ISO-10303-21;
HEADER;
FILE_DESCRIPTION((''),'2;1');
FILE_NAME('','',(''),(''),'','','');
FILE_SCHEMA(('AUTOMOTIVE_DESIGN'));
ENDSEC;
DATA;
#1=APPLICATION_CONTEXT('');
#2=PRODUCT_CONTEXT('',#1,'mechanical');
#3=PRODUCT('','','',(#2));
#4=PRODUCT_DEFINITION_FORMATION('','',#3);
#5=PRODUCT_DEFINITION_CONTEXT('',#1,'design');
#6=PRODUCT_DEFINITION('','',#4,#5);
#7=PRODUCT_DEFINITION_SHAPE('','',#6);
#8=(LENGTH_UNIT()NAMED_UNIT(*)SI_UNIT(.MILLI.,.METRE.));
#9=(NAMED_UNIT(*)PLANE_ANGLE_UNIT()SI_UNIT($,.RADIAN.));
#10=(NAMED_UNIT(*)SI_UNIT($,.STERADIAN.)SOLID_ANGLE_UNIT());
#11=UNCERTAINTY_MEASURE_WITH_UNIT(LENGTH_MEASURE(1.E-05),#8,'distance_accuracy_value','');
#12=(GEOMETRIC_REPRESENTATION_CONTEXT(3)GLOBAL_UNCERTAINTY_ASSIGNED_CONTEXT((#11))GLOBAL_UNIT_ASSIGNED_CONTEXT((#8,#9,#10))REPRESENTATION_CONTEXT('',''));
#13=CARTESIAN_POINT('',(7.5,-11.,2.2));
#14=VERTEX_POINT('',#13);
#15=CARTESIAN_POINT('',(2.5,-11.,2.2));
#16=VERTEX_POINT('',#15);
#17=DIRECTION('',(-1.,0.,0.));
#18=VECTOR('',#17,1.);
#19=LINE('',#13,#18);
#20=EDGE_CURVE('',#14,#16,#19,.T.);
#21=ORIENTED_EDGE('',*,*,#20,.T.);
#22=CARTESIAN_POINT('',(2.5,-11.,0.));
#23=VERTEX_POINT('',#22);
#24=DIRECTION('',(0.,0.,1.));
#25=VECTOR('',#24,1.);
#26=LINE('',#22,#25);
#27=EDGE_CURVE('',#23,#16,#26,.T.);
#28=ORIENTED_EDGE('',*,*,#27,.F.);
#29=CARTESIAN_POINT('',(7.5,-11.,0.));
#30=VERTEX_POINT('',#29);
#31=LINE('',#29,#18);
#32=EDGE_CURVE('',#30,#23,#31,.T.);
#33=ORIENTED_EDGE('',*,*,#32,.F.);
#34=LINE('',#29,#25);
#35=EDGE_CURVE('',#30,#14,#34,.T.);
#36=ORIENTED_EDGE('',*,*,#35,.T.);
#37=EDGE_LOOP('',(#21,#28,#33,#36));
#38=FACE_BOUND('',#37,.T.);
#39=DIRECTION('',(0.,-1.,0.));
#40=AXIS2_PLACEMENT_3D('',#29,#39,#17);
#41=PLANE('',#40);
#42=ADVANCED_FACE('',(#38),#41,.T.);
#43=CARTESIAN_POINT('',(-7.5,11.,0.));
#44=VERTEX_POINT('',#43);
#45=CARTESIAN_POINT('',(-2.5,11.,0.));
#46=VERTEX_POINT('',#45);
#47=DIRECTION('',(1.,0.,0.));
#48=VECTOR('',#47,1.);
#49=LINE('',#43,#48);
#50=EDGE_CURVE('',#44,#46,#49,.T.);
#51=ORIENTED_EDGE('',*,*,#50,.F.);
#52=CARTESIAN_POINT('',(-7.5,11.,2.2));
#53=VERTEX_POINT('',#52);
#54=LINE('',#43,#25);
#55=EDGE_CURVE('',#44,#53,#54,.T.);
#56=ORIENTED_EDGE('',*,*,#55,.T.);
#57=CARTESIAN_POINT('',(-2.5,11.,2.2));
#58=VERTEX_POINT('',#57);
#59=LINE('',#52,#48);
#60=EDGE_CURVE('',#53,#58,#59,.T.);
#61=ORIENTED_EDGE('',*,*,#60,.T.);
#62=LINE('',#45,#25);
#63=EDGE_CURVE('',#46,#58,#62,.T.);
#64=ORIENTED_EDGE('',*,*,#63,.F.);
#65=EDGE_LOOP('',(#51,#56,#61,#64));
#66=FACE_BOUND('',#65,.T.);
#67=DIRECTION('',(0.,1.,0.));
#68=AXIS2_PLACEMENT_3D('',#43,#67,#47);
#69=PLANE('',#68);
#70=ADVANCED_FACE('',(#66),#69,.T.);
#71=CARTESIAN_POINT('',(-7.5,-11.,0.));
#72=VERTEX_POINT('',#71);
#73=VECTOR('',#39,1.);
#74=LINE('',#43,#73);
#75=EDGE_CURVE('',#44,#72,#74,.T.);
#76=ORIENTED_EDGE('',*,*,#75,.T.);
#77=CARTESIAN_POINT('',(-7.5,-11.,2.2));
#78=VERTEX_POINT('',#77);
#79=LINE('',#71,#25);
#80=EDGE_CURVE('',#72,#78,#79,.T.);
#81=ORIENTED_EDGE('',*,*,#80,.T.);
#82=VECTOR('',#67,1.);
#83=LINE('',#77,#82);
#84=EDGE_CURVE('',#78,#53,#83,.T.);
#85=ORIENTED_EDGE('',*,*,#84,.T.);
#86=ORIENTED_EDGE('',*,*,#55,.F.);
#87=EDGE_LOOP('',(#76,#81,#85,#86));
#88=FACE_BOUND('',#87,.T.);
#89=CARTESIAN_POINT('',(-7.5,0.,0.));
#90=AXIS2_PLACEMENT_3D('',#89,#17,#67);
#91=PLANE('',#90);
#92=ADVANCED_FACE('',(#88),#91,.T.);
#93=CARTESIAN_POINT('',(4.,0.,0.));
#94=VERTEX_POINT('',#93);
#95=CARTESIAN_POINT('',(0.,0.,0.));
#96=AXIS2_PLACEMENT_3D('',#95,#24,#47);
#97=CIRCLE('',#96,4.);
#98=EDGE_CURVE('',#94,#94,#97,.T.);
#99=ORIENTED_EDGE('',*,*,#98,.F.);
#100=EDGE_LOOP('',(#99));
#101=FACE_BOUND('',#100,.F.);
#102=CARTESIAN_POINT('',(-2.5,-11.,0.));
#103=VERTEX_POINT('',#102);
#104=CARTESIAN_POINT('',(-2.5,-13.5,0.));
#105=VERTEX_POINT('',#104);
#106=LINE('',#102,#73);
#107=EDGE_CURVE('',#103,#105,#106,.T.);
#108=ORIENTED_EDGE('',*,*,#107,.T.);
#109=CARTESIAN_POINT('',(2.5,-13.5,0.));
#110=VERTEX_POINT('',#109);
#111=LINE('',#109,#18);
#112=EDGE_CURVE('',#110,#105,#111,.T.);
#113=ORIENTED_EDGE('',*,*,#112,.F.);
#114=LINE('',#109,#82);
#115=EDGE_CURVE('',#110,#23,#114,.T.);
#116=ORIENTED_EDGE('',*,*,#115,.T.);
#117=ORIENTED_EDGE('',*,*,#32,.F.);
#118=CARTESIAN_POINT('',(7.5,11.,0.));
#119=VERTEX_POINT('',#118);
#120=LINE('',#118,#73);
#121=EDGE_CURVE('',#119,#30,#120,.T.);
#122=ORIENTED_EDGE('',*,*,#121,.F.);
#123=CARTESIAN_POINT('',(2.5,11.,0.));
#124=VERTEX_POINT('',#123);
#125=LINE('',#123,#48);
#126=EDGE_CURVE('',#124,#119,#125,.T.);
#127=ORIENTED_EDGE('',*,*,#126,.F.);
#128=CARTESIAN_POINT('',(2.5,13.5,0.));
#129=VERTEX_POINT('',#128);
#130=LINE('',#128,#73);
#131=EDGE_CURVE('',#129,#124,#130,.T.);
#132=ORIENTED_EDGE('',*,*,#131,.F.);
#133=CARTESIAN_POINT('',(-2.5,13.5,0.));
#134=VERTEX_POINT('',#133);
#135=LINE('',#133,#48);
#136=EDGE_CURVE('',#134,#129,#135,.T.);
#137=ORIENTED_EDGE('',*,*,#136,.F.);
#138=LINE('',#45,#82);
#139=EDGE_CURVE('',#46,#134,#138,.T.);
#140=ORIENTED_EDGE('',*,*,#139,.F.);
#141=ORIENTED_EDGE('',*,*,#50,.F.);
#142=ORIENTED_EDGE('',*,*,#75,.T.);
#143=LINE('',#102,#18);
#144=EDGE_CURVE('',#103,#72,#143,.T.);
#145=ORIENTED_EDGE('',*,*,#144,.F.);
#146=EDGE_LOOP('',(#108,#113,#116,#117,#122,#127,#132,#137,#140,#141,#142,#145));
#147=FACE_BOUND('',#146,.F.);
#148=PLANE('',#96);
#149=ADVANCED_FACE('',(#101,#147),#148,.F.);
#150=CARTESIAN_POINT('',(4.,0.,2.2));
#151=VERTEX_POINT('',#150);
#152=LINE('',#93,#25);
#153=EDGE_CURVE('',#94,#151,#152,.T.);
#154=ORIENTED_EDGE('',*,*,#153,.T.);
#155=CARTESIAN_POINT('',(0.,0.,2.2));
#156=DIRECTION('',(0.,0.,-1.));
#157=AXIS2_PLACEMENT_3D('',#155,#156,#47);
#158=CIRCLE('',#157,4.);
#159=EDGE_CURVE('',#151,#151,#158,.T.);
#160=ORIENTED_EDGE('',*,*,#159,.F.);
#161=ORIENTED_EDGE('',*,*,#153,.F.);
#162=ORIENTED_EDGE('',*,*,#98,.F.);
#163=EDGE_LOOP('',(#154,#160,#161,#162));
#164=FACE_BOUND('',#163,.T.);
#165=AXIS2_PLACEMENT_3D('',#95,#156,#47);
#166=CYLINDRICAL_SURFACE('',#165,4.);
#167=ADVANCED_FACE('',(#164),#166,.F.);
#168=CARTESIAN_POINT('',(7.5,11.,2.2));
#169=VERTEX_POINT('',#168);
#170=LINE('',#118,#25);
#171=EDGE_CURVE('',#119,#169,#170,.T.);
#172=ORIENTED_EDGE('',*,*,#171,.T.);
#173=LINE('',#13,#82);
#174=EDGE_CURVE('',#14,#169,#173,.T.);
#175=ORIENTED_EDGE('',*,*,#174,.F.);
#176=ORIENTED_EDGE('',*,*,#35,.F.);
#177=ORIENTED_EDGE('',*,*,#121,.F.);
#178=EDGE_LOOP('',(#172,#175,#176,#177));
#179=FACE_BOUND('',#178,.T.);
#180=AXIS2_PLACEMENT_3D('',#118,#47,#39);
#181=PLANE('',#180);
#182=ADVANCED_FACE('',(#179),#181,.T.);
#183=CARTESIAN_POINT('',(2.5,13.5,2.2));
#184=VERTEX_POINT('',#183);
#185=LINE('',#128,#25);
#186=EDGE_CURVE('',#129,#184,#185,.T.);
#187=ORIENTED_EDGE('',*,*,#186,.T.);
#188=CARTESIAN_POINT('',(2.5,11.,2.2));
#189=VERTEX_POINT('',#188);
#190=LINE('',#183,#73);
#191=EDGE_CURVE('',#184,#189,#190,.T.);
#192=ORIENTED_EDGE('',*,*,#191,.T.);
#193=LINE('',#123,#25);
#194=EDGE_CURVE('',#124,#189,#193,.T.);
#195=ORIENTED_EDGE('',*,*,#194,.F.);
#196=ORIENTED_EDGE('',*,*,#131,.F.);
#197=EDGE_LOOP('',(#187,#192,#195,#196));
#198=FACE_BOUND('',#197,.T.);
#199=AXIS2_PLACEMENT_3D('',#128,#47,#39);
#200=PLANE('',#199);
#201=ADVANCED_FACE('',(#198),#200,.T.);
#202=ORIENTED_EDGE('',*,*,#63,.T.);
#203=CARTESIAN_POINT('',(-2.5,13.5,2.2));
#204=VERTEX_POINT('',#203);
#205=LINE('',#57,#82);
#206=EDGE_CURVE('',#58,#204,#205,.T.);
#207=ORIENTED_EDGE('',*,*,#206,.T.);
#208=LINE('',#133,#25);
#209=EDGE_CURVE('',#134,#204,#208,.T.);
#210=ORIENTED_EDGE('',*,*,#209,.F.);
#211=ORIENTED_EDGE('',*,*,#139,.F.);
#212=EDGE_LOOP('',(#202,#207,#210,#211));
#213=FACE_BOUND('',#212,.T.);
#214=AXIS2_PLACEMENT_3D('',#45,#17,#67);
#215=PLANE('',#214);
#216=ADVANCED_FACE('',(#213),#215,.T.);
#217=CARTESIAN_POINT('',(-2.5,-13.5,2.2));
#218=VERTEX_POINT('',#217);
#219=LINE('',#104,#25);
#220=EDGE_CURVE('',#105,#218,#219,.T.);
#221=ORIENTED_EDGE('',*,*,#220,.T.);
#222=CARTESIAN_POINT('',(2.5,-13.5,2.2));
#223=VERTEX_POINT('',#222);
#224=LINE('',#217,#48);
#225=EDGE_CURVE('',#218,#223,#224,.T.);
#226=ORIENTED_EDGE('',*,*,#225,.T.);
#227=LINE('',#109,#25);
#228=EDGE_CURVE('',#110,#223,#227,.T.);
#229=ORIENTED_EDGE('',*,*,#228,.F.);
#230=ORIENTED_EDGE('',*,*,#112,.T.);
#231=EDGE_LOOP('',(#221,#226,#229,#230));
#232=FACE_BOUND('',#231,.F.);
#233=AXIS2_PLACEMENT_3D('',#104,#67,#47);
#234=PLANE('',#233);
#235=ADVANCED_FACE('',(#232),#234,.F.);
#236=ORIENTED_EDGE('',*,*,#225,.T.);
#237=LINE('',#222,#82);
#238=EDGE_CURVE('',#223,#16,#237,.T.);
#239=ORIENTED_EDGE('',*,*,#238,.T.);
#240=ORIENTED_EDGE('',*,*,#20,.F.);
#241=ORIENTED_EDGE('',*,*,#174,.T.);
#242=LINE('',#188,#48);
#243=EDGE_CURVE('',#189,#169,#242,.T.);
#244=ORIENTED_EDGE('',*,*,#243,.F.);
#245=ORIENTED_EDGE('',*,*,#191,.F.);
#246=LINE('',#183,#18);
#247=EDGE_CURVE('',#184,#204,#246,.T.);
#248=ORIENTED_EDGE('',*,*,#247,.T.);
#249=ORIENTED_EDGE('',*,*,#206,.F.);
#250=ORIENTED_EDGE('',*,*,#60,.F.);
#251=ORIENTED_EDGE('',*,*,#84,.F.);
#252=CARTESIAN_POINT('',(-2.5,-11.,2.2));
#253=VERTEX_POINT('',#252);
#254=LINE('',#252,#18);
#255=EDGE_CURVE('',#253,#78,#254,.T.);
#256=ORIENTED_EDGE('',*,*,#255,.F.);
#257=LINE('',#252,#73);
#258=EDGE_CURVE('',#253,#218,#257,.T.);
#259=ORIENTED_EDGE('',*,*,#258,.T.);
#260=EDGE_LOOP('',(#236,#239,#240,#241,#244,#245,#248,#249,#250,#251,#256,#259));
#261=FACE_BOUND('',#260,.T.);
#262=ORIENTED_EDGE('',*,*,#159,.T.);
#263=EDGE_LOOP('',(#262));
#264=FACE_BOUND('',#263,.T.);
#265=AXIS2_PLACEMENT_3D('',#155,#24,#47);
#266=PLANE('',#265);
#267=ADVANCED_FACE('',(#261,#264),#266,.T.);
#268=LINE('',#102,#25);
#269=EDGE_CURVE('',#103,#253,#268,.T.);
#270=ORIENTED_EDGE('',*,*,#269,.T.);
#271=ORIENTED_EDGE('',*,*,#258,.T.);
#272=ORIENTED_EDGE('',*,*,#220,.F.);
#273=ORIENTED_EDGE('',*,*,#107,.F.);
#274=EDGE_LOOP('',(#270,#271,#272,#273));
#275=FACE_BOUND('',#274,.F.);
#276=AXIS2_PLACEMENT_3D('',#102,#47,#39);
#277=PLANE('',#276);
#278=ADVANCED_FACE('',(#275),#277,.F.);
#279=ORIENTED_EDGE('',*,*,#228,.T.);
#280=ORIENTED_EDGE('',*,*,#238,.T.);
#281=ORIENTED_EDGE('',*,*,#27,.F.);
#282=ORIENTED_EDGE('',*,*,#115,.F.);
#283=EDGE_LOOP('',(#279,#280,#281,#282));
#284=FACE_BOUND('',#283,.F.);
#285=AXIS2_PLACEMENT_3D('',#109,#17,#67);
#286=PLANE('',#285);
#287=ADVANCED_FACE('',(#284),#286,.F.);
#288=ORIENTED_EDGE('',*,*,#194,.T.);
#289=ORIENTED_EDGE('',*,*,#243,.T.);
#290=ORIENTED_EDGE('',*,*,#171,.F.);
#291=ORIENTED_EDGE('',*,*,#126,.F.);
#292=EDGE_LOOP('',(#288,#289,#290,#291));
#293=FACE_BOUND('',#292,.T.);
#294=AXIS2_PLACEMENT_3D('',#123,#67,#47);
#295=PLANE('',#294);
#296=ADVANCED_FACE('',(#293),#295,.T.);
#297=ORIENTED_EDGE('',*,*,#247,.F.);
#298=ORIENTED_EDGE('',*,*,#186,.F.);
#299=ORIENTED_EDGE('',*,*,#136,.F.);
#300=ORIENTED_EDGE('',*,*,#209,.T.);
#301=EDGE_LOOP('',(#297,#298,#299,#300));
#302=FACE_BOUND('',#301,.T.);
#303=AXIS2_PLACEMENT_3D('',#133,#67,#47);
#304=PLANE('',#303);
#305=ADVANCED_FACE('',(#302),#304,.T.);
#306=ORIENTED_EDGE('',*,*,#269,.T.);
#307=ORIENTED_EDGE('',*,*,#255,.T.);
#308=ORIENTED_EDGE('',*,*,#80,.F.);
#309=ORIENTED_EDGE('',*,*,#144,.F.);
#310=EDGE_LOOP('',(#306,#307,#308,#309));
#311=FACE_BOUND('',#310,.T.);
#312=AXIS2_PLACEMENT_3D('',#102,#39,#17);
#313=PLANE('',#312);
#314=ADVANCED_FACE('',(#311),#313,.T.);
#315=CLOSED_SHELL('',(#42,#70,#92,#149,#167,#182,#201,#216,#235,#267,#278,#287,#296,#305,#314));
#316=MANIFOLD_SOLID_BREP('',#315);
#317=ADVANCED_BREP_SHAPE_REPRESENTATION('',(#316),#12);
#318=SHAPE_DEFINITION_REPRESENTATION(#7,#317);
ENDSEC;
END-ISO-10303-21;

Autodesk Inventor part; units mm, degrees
ref_plane "YZ Plane" through (0, 0, 0) normal (1, 0, 0) x (0, 1, 0)
ref_plane "XZ Plane" through (0, 0, 0) normal (0, 1, 0) x (-1, 0, 0)
ref_plane "XY Plane" through (0, 0, 0) normal (0, 0, 1) x (1, 0, 0)
sketch "Sketch1" plane through (0, 0, 0) normal (0, 0, 1) x (1, 0, 0)
  line L0 (-10.5, 0) -> (10.5, 0) projected
  line L1 (0, -18.9) -> (0, 18.9) projected
  line L2 (-2.5, -11) -> (-2.5, -13.5)
  line L3 (-2.5, -13.5) -> (2.5, -13.5)
  line L4 (2.5, -13.5) -> (2.5, -11)
  line L5 (-2.5, 11) -> (-2.5, 13.5)
  line L6 (-2.5, 13.5) -> (2.5, 13.5)
  line L7 (2.5, 13.5) -> (2.5, 11)
  line L8 (7.5, 11) -> (7.5, -11)
  line L9 (-7.5, -11) -> (-7.5, 11)
  line L10 (-7.5, 11) -> (-2.5, 11)
  line L11 (2.5, 11) -> (7.5, 11)
  line L12 (7.5, -11) -> (2.5, -11)
  line L13 (-2.5, -11) -> (-7.5, -11)
  circle A0 centre (0, 0) radius 4
  dimension "d7" = 2.5
  dimension "d8" = 2.5
  dimension "d10" = 2.5
  dimension "d11" = 2.5
  dimension "d14" = 22
  dimension "d16" = 7.5
  dimension "d17" = 15
  dimension "d18" = 2.5
  dimension "d19" = 2.5
  dimension "d20" = 8
extrude "Extrusion1" add sketch "Sketch1" along normal blind 2.2 contours L9 L10 L5 L6 L1 A0 L0 | L0 A0 L1 L3 L2 L13 L9 | L1 L6 L7 L11 L8 L0 A0 | A0 L0 L8 L12 L4 L3 L1
equation "\"d16\" = 0.5 * d17"
equation "\"d2\" = 0.5 * d1"
equation "\"d15\" = 0.5 * d14"
equation "\"d1\" = 50"
properties part number "Acrylic_2.2_UpperArmBridge"
